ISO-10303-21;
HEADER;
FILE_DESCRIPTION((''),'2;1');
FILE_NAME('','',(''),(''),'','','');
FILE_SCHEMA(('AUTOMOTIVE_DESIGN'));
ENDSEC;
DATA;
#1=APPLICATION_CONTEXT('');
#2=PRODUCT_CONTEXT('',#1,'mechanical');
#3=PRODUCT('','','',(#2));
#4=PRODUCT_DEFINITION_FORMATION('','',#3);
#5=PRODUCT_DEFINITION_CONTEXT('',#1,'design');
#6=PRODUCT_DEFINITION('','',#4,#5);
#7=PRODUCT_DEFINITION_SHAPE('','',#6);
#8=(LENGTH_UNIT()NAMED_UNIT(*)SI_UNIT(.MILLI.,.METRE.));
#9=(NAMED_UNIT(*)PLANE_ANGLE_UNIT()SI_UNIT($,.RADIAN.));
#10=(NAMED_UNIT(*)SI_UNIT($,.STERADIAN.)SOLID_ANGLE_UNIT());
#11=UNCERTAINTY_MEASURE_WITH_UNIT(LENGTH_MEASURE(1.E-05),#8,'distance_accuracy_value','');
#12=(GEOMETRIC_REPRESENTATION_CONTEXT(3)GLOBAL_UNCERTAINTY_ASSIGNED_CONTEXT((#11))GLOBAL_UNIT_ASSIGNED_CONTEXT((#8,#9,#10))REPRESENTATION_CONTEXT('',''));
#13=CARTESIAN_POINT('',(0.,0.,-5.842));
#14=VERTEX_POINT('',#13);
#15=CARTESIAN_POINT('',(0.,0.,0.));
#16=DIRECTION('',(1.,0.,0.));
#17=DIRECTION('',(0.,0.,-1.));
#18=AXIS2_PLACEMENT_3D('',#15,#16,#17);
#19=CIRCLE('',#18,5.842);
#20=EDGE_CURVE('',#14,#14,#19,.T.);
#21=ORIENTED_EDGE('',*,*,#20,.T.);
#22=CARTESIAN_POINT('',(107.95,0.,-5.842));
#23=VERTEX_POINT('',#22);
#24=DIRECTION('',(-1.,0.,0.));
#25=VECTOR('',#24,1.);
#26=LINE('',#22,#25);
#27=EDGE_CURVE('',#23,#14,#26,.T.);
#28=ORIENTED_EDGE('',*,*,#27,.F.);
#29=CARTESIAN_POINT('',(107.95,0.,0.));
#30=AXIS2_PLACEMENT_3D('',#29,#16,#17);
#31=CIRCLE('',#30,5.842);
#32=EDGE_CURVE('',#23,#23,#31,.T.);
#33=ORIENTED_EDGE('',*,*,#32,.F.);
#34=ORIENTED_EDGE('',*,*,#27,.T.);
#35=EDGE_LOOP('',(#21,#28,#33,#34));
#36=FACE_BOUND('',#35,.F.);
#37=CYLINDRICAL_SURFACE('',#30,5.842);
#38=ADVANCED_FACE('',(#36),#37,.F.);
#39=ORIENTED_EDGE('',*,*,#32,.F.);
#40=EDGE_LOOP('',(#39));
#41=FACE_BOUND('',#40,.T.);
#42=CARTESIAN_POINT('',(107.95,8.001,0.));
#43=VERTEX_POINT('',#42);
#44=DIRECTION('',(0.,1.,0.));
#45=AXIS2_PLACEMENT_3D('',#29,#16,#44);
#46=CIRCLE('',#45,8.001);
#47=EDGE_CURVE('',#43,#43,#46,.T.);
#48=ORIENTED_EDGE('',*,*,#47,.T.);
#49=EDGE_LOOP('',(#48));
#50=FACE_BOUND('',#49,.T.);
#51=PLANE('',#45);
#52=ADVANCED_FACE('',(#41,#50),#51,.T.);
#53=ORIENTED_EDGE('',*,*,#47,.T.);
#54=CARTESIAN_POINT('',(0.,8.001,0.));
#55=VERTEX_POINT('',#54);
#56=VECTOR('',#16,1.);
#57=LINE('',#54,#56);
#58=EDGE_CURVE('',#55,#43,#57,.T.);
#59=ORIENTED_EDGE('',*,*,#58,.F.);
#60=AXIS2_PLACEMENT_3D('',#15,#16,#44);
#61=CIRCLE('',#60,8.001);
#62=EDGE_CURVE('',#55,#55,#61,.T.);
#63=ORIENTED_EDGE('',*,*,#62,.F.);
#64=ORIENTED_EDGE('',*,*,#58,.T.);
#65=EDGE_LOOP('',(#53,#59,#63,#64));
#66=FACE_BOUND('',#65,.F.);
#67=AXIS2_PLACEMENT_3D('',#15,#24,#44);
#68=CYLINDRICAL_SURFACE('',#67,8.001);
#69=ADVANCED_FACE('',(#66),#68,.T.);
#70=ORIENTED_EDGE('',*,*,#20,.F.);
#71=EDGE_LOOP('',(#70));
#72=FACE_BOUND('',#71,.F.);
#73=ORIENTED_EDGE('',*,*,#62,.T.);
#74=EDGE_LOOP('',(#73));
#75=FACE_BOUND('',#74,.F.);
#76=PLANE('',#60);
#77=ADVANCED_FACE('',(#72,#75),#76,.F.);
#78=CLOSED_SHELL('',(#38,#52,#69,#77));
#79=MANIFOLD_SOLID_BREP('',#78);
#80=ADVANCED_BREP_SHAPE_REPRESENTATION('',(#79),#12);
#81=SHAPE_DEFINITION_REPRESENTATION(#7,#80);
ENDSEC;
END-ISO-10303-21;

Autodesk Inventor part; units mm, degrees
ref_plane "YZ Plane" through (0, 0, 0) normal (1, 0, 0) x (0, 1, 0)
ref_plane "XZ Plane" through (0, 0, 0) normal (0, 1, 0) x (-1, 0, 0)
ref_plane "XY Plane" through (0, 0, 0) normal (0, 0, 1) x (1, 0, 0)
sketch "Sketch1" plane through (0, 0, 0) normal (1, 0, 0) x (0, 1, 0)
  circle A0 centre (0, 0) radius 8.001
  dimension "d0" = 16.002
extrude "Extrusion1" add sketch "Sketch1" along normal blind 107.95
sketch "Sketch2" plane through (107.95, 0, 0) normal (1, 0, 0) x (0, 0, -1)
  circle A0 centre (0, 0) radius 5.842
  dimension "d3" = 11.684
extrude "Extrusion2" cut sketch "Sketch2" against normal blind 120.65
properties part number "Pickup Pvc" material "PVC-Piping"
